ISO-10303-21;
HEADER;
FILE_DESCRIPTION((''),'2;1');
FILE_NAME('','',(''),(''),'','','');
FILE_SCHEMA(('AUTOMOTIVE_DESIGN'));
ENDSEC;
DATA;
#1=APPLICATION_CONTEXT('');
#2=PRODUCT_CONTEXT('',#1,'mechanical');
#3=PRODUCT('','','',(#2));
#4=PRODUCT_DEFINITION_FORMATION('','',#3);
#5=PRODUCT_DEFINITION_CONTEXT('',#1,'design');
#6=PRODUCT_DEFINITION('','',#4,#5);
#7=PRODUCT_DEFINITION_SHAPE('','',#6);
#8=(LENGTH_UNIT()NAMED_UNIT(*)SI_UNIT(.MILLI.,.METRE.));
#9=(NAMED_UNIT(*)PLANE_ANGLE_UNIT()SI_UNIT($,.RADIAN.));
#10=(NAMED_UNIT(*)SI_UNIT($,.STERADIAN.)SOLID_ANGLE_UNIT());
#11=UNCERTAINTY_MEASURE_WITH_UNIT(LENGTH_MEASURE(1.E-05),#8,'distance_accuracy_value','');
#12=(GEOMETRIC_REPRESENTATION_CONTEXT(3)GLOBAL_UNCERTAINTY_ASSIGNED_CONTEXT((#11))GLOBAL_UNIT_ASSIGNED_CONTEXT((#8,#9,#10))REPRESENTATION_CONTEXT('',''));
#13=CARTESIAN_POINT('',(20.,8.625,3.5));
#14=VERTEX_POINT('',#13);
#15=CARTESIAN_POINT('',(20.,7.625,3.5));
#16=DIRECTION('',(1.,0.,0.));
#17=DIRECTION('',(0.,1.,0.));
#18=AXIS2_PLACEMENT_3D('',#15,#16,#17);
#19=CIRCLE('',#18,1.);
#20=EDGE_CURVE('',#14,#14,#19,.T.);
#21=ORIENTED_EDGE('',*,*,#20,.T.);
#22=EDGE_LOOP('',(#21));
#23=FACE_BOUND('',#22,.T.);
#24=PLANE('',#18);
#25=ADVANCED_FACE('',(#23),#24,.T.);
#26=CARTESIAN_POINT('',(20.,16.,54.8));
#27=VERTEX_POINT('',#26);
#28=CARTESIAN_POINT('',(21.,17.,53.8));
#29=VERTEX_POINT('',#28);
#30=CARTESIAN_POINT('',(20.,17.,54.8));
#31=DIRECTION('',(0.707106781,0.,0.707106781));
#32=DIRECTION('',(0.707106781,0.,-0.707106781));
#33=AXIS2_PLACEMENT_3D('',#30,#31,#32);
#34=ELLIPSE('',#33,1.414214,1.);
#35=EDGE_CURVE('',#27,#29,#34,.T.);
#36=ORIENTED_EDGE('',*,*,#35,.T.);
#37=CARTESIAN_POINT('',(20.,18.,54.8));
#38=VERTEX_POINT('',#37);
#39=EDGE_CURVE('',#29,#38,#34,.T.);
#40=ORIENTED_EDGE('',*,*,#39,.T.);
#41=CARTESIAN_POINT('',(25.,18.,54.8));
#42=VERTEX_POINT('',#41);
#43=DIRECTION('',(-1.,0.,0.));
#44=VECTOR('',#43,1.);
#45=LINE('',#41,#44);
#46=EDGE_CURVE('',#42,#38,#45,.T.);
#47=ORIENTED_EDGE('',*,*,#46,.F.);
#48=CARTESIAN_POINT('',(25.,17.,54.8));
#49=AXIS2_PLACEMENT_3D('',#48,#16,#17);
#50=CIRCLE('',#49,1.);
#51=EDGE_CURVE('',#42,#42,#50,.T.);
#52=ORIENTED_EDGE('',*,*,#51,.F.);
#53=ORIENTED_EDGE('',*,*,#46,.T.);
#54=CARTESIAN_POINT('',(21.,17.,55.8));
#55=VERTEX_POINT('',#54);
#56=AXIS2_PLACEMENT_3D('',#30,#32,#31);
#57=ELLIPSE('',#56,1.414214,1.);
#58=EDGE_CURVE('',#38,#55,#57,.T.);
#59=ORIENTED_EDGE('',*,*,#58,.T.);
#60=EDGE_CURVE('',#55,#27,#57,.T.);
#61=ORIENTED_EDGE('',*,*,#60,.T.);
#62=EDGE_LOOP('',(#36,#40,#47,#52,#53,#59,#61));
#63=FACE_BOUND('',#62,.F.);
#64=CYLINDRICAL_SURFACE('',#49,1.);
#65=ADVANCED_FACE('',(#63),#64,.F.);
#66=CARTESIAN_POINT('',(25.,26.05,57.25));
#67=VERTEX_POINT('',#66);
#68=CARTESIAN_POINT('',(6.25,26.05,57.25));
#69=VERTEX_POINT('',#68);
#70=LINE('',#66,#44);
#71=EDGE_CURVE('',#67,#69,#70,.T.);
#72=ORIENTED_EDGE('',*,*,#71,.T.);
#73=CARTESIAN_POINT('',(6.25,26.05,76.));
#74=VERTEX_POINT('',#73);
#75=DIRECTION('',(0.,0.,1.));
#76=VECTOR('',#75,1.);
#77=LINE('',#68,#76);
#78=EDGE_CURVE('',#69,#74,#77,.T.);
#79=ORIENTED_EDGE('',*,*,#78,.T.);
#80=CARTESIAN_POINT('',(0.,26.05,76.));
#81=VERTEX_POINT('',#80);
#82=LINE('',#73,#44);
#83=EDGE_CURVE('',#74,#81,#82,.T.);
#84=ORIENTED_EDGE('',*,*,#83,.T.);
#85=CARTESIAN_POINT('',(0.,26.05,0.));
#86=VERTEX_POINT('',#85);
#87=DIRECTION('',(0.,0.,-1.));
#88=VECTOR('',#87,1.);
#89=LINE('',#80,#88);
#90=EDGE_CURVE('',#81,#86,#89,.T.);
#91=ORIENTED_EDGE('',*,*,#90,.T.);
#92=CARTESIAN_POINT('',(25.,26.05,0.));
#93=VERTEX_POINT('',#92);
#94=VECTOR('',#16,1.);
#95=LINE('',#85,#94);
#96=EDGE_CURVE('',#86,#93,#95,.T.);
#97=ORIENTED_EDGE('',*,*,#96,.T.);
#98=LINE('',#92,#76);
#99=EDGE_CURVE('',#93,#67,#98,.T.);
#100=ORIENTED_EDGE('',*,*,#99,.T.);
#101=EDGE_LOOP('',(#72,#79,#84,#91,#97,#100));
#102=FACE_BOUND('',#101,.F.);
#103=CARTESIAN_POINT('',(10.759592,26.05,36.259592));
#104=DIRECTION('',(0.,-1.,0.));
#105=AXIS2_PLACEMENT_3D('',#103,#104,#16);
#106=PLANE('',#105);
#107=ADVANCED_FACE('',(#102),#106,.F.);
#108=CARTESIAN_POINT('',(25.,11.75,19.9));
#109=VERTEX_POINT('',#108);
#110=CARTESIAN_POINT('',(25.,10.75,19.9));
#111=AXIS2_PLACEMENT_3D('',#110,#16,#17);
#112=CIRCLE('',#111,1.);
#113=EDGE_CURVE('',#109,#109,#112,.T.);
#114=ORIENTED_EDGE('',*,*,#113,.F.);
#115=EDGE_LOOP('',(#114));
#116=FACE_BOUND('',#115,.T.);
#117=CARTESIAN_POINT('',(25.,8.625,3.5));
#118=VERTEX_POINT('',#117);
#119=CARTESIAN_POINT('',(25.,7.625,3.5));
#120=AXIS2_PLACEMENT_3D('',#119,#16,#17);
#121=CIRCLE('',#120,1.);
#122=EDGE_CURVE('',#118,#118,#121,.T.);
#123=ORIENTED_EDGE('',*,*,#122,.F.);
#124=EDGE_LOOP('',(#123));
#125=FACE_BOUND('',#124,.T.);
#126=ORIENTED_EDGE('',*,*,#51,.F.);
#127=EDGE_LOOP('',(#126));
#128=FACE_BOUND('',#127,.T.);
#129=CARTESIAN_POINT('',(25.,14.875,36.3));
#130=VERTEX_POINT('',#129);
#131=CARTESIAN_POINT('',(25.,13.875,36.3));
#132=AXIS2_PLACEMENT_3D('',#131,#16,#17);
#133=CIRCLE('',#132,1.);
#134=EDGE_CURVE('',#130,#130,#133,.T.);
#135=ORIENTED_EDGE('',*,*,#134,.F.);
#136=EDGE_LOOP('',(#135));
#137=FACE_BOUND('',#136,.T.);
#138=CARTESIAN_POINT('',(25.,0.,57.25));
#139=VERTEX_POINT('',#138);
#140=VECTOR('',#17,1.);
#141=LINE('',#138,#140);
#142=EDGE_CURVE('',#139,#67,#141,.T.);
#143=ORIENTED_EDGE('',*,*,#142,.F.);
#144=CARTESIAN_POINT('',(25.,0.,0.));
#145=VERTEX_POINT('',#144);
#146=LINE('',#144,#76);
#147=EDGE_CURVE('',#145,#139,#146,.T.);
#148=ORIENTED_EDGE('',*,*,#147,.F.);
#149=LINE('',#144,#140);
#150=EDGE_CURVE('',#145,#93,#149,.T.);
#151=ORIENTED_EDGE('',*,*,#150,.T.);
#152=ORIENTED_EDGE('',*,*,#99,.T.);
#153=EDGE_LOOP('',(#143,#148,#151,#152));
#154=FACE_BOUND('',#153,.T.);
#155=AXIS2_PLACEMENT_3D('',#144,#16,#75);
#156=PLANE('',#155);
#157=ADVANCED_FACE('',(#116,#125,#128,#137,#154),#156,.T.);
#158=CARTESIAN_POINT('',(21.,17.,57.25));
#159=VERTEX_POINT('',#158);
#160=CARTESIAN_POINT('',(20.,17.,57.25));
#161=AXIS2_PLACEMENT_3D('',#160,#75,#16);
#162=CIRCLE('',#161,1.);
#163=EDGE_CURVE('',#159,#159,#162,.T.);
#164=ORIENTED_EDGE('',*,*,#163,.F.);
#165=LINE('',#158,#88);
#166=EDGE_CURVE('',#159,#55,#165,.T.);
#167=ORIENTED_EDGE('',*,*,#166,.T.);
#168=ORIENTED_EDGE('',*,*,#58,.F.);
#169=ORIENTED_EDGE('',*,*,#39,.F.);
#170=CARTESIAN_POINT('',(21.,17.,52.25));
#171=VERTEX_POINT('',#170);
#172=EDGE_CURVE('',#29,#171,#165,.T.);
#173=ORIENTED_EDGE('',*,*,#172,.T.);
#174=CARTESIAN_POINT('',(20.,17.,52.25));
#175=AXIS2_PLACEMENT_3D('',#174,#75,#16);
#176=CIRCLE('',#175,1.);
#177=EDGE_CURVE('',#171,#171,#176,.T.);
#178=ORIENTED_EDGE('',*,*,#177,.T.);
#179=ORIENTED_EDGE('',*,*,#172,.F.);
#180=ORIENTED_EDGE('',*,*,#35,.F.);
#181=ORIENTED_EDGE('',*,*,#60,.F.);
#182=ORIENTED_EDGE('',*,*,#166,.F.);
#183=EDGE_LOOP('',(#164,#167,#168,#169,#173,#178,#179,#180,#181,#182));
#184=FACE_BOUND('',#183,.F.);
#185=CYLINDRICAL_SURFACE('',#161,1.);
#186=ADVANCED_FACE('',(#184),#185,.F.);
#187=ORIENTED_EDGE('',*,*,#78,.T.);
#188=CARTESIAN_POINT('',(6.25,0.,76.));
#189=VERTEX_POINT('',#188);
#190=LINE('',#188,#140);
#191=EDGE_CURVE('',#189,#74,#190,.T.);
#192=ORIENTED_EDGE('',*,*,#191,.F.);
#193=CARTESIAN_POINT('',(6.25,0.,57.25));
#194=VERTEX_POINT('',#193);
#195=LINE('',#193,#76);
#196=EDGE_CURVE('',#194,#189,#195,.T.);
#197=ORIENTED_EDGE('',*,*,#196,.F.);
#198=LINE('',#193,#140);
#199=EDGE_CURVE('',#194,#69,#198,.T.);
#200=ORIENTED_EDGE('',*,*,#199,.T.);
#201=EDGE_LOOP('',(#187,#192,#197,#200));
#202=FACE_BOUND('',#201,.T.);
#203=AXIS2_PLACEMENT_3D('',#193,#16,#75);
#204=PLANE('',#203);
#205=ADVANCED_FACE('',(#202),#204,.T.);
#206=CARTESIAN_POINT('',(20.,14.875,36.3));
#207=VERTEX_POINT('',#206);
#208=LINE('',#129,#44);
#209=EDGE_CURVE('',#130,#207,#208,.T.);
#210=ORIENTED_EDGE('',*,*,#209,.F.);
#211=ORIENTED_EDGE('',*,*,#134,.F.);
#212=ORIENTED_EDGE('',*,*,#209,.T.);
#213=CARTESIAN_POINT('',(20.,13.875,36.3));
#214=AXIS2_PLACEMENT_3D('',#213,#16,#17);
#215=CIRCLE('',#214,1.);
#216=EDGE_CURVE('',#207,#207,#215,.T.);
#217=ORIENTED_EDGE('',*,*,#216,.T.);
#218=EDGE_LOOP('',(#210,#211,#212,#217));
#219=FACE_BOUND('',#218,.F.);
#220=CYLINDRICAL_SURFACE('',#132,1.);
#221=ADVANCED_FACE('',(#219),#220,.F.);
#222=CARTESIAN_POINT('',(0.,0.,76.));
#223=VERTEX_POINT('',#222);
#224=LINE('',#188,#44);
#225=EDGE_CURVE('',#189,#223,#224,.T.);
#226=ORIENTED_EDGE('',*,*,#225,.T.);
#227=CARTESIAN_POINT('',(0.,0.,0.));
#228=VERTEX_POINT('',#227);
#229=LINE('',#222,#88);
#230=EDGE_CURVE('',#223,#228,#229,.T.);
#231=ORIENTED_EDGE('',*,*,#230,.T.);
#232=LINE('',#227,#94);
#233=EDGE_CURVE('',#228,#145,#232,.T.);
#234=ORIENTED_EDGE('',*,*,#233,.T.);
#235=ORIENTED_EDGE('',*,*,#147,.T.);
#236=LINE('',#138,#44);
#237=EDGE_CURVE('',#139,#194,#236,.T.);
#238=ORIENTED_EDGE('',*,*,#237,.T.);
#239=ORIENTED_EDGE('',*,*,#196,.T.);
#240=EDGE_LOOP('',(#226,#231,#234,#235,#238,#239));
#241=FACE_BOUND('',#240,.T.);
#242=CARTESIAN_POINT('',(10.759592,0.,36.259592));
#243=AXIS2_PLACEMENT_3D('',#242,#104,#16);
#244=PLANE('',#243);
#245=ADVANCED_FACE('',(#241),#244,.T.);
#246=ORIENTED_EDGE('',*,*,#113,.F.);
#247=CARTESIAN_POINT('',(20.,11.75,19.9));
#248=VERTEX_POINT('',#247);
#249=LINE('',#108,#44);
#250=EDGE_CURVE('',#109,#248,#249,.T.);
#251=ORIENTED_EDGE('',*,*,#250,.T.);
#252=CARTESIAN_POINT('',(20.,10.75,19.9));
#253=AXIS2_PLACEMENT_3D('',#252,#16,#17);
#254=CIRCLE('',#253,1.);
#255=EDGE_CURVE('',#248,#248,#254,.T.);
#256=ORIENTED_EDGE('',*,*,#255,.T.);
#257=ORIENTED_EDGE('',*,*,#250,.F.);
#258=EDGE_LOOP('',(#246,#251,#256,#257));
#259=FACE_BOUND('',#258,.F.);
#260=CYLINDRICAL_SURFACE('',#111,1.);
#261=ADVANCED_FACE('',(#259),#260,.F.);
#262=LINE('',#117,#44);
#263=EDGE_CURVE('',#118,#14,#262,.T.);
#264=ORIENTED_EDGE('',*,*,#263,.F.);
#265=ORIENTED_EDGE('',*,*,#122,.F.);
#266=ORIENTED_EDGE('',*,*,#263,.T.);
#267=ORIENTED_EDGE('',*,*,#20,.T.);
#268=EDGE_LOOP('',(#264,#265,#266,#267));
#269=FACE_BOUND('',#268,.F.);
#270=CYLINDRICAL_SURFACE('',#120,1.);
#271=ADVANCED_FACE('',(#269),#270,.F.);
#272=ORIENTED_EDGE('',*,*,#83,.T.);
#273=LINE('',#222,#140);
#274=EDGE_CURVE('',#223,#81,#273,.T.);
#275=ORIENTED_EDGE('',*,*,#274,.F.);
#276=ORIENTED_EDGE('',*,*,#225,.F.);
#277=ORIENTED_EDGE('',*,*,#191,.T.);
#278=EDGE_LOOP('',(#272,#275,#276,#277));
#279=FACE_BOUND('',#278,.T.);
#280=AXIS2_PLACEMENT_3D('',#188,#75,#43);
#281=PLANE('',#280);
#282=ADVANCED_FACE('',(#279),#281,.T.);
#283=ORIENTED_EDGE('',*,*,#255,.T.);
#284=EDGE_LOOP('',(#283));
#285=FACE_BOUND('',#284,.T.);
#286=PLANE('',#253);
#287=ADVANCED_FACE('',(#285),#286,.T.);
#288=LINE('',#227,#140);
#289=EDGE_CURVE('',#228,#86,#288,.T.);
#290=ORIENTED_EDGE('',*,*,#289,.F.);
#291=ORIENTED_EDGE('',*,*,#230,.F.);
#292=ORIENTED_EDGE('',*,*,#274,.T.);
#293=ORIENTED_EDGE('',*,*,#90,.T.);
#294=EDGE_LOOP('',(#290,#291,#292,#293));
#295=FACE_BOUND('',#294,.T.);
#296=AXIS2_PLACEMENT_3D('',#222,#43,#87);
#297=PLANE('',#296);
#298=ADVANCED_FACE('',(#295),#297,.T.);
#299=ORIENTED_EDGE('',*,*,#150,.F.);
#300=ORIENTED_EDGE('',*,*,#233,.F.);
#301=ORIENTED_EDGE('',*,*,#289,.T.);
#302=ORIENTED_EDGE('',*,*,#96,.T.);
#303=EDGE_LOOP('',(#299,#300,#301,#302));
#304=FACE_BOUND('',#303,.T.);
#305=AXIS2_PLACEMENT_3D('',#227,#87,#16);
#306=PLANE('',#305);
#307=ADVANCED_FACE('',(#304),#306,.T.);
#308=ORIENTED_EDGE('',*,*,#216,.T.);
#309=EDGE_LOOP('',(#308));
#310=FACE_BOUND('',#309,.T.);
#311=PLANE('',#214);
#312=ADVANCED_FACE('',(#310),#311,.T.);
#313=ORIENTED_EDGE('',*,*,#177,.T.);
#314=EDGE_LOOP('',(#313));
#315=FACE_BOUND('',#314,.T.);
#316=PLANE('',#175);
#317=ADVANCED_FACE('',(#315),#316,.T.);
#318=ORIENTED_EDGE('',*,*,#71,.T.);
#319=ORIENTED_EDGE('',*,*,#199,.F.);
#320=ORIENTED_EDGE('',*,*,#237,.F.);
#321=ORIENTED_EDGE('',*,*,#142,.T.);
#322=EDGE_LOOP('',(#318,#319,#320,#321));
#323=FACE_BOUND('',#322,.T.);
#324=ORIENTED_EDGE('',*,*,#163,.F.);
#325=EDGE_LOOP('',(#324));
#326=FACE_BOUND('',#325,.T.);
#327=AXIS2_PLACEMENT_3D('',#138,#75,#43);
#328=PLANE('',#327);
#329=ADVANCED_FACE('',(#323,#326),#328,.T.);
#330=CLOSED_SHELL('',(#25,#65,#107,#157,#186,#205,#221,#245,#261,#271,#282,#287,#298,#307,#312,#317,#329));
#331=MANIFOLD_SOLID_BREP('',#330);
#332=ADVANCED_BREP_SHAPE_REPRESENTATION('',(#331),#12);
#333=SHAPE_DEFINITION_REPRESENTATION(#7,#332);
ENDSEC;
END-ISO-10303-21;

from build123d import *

# Parameters (mm, degrees)
F1_DEPTH = 26.05
F2_R     = 1
F3_DEPTH = 5
F4_R     = 1
F5_DEPTH = 5


with BuildPart() as f1:
    # F0 (on Front) → F1 (new body)
    with BuildSketch(Plane.XZ):
        Polygon((0, 76), (0, 0), (25, 0), (25, 57.25), (6.25, 57.25), (6.25, 76), align=None)
    extrude(amount=-F1_DEPTH)

    # F2 (on face) → F3 (cut)
    with BuildSketch(Plane.YZ.offset(25)):
        with Locations((17, 54.8)):
            Circle(F2_R)
        with Locations((13.875, 36.3)):
            Circle(F2_R)
        with Locations((10.75, 19.9)):
            Circle(F2_R)
        with Locations((7.625, 3.5)):
            Circle(F2_R)
    extrude(amount=-F3_DEPTH, mode=Mode.SUBTRACT)

    # F4 (on face) → F5 (cut)
    with BuildSketch(Plane.XY.offset(57.25)):
        with Locations((20, 17)):
            Circle(F4_R)
    extrude(amount=-F5_DEPTH, mode=Mode.SUBTRACT)


solid = f1.part
